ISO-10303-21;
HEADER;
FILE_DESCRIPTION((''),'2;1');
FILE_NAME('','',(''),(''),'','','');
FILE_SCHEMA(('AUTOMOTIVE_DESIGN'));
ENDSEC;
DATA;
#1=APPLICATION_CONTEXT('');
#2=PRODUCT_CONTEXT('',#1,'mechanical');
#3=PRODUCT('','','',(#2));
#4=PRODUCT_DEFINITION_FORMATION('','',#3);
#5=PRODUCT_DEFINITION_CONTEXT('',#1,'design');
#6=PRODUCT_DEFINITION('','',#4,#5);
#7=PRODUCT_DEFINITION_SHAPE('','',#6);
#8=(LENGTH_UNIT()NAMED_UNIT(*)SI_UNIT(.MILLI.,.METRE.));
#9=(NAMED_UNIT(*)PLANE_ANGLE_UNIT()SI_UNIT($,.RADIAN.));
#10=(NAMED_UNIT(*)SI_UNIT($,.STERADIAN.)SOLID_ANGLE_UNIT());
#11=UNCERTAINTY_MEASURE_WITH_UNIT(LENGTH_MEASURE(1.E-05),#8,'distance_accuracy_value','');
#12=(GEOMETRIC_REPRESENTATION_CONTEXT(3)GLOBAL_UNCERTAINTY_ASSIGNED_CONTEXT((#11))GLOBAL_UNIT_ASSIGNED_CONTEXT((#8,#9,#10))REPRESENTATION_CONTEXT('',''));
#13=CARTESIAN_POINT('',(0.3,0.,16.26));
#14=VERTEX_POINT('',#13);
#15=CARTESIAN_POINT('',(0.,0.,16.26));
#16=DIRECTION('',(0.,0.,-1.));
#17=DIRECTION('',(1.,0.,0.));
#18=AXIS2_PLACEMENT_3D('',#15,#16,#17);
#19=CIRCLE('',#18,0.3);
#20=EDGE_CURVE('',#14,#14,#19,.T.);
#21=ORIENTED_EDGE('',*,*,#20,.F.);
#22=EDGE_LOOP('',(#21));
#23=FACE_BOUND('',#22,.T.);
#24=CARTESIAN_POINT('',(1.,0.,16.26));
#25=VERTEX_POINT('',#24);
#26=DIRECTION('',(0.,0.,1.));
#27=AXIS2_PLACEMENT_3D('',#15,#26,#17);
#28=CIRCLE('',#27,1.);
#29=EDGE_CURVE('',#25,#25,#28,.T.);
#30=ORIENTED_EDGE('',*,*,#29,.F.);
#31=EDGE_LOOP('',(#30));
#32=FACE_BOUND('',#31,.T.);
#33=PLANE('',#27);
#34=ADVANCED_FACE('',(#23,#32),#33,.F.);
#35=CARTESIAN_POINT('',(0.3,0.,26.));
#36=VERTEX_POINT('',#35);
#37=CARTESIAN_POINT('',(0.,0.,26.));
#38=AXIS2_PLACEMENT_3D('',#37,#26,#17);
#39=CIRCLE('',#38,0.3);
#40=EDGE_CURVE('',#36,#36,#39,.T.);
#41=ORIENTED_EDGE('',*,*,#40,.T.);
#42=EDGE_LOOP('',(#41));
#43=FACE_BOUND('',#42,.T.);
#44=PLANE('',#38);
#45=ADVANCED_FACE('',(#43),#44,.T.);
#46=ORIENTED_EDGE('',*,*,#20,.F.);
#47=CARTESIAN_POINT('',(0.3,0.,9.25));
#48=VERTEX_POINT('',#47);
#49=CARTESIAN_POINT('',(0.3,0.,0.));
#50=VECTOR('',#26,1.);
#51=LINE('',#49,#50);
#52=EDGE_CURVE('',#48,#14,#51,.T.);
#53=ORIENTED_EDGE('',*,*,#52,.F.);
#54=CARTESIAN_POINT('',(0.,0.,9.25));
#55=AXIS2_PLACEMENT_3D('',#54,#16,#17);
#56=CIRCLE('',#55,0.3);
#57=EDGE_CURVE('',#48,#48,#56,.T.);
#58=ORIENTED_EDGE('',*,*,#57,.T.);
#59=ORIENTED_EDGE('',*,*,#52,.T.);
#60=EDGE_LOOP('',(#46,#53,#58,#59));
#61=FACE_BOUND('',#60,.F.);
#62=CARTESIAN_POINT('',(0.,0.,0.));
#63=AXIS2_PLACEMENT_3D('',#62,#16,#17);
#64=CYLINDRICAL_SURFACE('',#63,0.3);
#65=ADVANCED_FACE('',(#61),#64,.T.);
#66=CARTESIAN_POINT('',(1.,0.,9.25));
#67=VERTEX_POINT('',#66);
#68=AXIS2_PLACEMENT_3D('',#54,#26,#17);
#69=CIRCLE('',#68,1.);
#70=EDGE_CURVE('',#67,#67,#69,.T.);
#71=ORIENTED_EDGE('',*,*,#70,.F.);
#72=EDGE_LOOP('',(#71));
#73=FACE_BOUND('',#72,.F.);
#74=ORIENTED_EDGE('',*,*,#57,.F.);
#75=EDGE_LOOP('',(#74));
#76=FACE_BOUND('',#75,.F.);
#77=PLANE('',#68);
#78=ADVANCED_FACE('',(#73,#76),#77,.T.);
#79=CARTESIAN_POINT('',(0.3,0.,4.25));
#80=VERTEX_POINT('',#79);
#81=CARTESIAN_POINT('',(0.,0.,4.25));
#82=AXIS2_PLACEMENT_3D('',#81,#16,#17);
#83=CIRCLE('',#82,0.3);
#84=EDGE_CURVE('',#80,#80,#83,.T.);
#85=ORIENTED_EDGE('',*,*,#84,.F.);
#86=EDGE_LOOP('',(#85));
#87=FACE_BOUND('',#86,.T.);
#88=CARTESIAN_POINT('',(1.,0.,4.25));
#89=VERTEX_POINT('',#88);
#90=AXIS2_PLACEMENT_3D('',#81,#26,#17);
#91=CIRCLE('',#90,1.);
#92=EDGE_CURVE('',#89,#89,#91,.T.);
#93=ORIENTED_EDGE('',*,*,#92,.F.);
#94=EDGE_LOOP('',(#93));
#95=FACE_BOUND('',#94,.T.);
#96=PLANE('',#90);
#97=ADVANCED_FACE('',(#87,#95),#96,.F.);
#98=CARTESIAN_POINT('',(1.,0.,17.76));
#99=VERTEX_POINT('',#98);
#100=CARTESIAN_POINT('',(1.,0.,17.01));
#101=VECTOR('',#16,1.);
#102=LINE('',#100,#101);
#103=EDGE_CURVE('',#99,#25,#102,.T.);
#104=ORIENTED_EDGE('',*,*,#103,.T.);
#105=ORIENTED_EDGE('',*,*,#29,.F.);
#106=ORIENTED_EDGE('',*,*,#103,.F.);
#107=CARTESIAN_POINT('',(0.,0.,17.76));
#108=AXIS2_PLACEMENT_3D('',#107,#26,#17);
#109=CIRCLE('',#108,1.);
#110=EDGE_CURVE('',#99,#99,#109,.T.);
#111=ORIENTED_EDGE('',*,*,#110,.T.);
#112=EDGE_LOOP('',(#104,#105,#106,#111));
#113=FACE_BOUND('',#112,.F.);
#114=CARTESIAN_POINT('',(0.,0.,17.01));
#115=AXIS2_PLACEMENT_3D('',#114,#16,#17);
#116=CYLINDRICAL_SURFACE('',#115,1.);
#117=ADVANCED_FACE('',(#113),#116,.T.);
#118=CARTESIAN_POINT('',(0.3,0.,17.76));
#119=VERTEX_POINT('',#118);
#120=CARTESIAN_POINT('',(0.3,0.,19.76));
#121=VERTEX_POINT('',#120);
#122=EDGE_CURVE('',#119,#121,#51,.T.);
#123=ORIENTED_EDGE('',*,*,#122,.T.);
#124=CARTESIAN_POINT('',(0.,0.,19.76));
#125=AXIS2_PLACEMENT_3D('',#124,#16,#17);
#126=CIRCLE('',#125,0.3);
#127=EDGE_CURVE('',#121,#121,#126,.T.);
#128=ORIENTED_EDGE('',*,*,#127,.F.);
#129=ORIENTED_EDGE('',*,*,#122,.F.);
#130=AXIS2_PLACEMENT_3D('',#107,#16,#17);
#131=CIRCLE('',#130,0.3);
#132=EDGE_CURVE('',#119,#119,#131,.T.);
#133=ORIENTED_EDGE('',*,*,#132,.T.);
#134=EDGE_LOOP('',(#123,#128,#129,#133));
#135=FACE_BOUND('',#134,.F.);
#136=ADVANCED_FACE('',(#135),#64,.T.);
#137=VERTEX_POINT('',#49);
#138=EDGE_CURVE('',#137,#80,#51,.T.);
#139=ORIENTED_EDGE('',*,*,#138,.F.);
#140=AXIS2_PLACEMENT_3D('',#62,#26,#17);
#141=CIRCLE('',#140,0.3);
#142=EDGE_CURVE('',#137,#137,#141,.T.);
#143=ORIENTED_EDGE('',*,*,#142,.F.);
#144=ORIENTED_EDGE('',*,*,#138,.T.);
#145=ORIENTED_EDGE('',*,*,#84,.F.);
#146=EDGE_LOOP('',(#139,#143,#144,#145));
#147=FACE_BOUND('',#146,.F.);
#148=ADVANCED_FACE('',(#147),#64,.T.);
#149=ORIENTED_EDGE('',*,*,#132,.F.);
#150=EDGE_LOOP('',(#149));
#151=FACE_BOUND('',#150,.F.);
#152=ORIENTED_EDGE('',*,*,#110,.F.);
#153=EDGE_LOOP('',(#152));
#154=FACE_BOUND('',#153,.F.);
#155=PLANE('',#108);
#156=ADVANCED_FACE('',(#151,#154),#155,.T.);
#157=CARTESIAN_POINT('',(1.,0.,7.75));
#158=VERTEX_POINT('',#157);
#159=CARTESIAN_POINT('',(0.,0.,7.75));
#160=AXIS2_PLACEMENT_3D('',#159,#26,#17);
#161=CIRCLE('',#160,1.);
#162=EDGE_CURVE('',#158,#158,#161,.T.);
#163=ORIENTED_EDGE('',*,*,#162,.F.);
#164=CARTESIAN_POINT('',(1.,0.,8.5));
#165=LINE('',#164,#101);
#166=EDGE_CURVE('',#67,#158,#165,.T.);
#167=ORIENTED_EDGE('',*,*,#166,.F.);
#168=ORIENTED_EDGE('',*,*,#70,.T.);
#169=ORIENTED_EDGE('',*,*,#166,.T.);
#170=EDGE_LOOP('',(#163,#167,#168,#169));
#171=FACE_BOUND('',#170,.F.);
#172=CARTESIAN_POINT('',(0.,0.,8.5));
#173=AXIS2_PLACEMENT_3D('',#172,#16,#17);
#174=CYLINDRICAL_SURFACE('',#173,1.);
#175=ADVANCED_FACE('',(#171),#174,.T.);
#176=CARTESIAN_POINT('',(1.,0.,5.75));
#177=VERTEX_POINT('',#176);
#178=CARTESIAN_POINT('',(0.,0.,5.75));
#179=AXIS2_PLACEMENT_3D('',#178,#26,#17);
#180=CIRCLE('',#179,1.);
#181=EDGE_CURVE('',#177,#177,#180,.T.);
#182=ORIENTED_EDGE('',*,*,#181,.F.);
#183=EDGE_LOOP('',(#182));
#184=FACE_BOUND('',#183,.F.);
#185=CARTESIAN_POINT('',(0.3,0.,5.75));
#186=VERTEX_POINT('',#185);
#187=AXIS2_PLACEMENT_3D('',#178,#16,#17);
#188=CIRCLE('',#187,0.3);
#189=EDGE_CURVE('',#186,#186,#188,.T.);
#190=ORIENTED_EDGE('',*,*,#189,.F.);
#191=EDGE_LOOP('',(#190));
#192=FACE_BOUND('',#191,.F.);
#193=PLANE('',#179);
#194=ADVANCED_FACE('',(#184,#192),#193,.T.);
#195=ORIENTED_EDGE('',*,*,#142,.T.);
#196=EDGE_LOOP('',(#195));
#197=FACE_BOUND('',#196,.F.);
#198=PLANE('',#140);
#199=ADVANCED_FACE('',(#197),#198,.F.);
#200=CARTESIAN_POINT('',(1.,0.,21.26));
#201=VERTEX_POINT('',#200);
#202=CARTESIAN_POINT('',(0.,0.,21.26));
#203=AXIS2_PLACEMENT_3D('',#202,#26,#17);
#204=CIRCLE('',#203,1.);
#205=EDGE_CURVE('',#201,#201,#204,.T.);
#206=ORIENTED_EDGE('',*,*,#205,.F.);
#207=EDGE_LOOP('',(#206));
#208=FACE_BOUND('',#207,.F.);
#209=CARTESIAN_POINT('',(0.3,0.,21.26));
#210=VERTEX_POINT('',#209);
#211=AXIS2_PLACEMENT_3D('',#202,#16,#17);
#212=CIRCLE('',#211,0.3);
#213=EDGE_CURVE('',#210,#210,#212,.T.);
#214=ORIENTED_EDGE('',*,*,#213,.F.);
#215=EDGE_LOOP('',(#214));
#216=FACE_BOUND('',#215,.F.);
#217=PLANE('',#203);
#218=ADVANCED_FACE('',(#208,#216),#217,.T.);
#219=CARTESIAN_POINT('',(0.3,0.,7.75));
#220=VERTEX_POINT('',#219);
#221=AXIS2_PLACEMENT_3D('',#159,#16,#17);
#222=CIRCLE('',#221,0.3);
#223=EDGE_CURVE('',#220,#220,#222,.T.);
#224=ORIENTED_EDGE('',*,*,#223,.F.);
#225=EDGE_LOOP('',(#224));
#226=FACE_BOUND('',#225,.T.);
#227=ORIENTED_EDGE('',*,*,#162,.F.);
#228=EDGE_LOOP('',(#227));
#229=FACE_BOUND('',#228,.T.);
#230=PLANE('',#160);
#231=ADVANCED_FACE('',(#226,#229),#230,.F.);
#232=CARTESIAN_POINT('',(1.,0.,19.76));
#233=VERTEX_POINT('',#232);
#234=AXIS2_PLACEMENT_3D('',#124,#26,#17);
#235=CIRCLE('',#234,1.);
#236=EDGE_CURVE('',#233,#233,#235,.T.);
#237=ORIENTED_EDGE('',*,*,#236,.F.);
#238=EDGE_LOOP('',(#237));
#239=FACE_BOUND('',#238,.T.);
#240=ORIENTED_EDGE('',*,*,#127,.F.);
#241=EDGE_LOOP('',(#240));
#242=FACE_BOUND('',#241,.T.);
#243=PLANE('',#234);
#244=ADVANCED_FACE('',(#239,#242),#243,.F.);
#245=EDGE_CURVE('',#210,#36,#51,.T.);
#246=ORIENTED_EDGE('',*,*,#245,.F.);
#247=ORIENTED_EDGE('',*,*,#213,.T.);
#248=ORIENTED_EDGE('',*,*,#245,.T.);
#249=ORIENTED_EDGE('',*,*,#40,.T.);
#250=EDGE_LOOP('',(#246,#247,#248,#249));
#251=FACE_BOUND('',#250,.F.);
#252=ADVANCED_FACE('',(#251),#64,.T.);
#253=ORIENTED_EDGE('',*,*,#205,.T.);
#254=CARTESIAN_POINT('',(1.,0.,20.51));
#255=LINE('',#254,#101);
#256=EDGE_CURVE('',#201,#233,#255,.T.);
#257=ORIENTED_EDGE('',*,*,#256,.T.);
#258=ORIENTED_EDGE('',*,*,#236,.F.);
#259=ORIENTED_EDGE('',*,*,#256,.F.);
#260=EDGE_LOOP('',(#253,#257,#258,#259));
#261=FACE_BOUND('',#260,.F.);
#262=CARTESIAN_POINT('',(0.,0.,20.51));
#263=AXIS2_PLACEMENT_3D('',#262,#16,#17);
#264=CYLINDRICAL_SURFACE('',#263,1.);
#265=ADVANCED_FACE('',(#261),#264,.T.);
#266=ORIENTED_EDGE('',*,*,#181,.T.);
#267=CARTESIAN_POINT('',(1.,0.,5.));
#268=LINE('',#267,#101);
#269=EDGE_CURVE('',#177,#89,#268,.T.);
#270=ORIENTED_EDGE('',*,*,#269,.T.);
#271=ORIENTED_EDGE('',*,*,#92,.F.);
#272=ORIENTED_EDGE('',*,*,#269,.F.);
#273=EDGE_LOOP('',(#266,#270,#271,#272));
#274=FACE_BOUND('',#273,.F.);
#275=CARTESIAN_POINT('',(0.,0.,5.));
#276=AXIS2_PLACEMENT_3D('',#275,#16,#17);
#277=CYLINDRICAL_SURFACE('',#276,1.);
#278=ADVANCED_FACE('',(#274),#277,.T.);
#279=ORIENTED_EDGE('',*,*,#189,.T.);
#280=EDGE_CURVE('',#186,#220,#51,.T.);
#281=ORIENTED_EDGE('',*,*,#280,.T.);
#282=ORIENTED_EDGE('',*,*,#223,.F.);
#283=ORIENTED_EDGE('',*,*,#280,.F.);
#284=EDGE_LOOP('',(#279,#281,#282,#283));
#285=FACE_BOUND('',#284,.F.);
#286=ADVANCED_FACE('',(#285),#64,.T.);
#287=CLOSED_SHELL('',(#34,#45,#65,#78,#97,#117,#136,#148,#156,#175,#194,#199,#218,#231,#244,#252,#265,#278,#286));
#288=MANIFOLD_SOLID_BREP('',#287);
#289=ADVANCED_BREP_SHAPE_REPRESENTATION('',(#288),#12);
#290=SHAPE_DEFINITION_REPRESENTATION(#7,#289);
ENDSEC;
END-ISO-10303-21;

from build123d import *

# Parameters (mm, degrees)
SKETCH1_R           = 0.3
BOSS_EXTRUDE1_DEPTH = 26
SKETCH2_W           = 1
SKETCH2_H           = 1.5


with BuildPart() as part:
    # Sketch1 → Boss-Extrude1 (new body)
    with BuildSketch(Plane.XY):
        Circle(SKETCH1_R)
    extrude(amount=BOSS_EXTRUDE1_DEPTH)

    # Sketch2 → Revolve1 (revolve)
    with BuildSketch(Plane(origin=(0, 0, 0), x_dir=(1, 0, 0), z_dir=(0, 1, 0))):
        with Locations((0.5, -5)):
            Rectangle(SKETCH2_W, SKETCH2_H)
        with Locations((0.5, -8.5)):
            Rectangle(SKETCH2_W, SKETCH2_H)
        with Locations((0.5, -17.01)):
            Rectangle(SKETCH2_W, SKETCH2_H)
        with Locations((0.5, -20.51)):
            Rectangle(SKETCH2_W, SKETCH2_H)
    revolve(axis=Axis((0, 0, 0), (0, 0, 1)))


solid = part.part
